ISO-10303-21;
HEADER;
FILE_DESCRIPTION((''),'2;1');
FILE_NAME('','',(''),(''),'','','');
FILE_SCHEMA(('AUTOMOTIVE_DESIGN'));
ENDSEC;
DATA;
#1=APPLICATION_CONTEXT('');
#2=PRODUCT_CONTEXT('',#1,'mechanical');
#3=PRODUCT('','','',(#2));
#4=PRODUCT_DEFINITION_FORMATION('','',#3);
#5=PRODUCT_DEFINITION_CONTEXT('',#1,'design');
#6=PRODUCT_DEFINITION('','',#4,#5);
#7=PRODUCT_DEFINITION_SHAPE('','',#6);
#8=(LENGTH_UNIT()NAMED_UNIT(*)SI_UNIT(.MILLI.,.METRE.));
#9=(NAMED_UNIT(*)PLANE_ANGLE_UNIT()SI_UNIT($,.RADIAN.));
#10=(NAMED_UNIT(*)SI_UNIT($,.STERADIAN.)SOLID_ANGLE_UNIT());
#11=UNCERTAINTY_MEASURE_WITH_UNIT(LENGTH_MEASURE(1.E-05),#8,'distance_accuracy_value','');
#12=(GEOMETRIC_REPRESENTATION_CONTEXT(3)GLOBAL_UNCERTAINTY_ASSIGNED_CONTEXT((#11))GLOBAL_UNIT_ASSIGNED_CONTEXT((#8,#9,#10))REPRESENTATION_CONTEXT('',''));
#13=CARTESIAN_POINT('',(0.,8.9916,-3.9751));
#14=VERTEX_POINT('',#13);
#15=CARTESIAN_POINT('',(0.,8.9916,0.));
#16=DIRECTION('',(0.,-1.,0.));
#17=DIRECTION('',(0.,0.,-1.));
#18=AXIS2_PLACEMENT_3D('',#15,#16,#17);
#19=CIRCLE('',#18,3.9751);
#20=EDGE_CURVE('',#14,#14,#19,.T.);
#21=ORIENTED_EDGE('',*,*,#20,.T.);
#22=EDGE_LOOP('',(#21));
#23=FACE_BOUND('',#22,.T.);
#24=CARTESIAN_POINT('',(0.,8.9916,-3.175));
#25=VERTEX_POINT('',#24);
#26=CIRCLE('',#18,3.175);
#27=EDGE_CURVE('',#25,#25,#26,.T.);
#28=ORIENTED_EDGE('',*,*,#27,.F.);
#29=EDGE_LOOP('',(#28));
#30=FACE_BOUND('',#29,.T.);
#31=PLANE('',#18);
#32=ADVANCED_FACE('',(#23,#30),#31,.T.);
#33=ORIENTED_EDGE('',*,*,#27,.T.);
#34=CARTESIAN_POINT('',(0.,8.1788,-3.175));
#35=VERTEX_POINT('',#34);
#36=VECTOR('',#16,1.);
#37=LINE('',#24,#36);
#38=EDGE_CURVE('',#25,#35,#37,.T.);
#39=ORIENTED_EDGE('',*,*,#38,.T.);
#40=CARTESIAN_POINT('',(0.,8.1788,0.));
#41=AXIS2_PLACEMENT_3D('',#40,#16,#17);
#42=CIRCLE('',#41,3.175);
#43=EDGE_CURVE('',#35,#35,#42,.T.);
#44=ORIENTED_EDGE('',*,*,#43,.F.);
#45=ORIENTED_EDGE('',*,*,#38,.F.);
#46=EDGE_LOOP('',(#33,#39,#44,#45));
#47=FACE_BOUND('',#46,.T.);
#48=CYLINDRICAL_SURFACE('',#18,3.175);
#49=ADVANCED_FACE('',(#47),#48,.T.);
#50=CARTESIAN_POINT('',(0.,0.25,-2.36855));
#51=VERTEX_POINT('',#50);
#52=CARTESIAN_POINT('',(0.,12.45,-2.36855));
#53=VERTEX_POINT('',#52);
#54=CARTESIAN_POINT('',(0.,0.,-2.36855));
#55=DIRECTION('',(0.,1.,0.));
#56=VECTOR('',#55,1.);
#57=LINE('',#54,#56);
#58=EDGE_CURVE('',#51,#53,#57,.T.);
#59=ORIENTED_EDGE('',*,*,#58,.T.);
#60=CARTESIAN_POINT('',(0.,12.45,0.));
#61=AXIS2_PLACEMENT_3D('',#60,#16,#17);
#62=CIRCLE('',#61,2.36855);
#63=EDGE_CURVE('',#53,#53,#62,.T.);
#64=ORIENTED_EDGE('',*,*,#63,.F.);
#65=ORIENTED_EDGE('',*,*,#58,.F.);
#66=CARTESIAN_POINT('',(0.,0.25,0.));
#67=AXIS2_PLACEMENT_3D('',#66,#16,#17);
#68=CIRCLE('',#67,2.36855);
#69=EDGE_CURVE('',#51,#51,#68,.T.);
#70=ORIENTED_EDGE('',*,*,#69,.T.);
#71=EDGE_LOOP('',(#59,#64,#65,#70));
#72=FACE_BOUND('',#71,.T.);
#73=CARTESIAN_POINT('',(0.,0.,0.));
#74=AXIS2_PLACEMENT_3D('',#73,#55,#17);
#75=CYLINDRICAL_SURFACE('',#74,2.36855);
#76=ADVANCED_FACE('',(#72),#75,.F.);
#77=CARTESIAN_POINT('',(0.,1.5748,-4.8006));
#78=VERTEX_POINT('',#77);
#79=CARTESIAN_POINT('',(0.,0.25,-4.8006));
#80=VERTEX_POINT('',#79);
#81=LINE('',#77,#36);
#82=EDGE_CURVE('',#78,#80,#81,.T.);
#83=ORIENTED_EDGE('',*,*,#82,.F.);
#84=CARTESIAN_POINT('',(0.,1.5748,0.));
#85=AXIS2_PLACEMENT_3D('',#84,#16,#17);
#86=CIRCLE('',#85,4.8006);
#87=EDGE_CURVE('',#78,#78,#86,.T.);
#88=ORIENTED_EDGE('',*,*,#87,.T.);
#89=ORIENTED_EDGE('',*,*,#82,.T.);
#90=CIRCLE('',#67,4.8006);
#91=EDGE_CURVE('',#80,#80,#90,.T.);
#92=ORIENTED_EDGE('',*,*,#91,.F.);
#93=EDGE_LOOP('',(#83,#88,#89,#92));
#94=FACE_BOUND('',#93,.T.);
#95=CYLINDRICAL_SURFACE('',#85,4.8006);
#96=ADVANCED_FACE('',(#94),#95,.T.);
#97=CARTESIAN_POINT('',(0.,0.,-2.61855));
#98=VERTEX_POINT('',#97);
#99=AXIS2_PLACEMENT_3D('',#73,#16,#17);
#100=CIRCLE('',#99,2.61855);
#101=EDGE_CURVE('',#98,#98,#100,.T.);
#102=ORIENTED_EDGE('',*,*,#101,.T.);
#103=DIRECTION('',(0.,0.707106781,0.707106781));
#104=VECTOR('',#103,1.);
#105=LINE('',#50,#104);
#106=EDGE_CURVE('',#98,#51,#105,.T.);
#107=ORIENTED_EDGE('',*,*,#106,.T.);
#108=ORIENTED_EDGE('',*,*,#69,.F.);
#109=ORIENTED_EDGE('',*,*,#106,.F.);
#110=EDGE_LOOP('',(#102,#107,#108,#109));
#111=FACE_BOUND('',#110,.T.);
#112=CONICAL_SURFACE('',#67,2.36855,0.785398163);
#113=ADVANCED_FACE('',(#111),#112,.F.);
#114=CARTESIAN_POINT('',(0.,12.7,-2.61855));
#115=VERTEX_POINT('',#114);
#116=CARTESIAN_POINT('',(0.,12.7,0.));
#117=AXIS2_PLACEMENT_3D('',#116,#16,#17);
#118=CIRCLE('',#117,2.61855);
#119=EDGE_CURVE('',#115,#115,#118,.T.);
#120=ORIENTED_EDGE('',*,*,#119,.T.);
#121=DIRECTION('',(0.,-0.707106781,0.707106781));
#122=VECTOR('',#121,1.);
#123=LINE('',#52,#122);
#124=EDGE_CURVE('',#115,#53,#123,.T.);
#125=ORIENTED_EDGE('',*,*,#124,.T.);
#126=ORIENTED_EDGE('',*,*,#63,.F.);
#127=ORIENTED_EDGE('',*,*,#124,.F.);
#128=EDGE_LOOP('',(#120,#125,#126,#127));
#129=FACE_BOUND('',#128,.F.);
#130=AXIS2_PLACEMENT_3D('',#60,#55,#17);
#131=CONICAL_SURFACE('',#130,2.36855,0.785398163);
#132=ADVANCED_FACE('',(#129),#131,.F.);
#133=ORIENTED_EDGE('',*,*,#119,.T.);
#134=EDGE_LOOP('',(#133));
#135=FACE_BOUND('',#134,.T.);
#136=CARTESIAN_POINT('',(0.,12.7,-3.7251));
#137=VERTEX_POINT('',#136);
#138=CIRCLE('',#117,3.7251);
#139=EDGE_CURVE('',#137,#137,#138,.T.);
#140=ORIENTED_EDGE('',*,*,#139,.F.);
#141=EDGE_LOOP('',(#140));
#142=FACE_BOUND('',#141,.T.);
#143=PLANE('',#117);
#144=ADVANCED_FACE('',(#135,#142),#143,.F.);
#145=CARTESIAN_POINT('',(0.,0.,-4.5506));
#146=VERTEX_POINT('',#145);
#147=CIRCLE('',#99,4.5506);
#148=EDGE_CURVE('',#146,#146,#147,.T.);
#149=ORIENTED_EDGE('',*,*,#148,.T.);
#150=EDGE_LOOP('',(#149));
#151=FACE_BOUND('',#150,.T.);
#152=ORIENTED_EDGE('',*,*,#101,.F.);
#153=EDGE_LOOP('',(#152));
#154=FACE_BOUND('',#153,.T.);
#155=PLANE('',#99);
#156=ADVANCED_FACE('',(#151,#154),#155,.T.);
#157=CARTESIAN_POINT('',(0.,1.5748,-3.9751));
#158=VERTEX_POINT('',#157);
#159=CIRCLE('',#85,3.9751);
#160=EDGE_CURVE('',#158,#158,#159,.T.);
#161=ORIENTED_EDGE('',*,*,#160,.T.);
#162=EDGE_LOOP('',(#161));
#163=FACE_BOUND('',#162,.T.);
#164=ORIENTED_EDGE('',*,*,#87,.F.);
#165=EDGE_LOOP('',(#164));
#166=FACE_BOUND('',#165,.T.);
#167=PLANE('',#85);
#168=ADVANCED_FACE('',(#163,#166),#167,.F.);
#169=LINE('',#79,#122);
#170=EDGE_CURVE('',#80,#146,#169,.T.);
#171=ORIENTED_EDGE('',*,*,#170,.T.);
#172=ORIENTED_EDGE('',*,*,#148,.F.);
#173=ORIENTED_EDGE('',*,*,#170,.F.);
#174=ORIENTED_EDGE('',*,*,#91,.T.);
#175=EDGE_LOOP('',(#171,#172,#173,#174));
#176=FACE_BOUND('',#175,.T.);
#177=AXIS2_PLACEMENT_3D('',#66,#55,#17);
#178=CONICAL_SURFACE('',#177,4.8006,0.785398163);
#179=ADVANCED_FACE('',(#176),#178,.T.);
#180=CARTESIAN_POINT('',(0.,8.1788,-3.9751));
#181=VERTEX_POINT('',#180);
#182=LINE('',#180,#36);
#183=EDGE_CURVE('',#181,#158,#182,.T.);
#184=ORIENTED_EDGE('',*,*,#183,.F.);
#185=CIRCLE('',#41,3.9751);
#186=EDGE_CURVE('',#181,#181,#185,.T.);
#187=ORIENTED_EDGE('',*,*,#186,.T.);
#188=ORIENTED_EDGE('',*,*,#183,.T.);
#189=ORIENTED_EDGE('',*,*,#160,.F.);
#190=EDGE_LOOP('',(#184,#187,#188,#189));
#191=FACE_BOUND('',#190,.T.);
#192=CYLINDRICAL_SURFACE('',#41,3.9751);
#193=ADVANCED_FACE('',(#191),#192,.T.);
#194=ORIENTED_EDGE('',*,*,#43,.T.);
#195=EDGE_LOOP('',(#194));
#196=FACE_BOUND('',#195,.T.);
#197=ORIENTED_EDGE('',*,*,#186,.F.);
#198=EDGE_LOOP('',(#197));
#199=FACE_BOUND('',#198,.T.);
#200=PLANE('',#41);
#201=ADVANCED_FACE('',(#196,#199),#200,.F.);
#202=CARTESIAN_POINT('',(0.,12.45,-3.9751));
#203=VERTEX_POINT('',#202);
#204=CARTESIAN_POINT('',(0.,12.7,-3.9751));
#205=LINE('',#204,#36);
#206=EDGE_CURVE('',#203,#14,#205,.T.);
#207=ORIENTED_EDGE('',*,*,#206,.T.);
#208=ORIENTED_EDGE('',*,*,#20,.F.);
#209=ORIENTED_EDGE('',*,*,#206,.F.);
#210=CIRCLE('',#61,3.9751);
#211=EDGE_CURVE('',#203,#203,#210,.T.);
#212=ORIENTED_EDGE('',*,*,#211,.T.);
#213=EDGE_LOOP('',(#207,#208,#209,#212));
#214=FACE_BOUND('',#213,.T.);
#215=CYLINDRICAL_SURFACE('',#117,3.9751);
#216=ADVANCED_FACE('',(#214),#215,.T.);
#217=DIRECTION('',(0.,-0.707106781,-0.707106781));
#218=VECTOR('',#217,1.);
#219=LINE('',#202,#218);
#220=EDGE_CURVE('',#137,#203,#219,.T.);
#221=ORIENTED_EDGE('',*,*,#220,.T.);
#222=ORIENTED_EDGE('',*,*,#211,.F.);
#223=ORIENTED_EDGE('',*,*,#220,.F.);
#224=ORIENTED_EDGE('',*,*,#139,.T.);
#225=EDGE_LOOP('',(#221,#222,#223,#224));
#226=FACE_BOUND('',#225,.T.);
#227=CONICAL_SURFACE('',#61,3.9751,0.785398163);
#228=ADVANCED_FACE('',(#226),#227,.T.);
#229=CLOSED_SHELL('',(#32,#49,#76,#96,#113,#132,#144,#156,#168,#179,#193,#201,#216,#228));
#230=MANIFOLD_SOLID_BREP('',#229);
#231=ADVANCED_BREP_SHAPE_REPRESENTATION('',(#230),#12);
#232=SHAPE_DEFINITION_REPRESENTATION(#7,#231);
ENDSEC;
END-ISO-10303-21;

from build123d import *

# Parameters (mm, degrees)
CHAMFER1_SIZE = 0.25


with BuildPart() as part:
    # Sketch2 → Revolve1 (revolve)
    with BuildSketch(Plane(origin=(0, 0, 0), x_dir=(0, 0, -1), z_dir=(1, 0, 0))):
        Polygon((2.36855, 12.7), (3.9751, 12.7), (3.9751, 8.9916), (3.175, 8.9916), (3.175, 8.1788), (3.9751, 8.1788), (3.9751, 1.5748), (4.8006, 1.5748), (4.8006, 0), (2.36855, 0), align=None)
    revolve(axis=Axis((0, -1.359924362, 0), (0, -1, 0)))

    # Chamfer1
    chamfer1_edges = [part.edges().sort_by_distance(p)[0] for p in [
        (0, 0, 4.8006),
        (0, 0, 2.36855),
        (0, 12.7, 2.36855),
        (0, 12.7, 3.9751),
    ]]
    chamfer(chamfer1_edges, length=CHAMFER1_SIZE)


solid = part.part
